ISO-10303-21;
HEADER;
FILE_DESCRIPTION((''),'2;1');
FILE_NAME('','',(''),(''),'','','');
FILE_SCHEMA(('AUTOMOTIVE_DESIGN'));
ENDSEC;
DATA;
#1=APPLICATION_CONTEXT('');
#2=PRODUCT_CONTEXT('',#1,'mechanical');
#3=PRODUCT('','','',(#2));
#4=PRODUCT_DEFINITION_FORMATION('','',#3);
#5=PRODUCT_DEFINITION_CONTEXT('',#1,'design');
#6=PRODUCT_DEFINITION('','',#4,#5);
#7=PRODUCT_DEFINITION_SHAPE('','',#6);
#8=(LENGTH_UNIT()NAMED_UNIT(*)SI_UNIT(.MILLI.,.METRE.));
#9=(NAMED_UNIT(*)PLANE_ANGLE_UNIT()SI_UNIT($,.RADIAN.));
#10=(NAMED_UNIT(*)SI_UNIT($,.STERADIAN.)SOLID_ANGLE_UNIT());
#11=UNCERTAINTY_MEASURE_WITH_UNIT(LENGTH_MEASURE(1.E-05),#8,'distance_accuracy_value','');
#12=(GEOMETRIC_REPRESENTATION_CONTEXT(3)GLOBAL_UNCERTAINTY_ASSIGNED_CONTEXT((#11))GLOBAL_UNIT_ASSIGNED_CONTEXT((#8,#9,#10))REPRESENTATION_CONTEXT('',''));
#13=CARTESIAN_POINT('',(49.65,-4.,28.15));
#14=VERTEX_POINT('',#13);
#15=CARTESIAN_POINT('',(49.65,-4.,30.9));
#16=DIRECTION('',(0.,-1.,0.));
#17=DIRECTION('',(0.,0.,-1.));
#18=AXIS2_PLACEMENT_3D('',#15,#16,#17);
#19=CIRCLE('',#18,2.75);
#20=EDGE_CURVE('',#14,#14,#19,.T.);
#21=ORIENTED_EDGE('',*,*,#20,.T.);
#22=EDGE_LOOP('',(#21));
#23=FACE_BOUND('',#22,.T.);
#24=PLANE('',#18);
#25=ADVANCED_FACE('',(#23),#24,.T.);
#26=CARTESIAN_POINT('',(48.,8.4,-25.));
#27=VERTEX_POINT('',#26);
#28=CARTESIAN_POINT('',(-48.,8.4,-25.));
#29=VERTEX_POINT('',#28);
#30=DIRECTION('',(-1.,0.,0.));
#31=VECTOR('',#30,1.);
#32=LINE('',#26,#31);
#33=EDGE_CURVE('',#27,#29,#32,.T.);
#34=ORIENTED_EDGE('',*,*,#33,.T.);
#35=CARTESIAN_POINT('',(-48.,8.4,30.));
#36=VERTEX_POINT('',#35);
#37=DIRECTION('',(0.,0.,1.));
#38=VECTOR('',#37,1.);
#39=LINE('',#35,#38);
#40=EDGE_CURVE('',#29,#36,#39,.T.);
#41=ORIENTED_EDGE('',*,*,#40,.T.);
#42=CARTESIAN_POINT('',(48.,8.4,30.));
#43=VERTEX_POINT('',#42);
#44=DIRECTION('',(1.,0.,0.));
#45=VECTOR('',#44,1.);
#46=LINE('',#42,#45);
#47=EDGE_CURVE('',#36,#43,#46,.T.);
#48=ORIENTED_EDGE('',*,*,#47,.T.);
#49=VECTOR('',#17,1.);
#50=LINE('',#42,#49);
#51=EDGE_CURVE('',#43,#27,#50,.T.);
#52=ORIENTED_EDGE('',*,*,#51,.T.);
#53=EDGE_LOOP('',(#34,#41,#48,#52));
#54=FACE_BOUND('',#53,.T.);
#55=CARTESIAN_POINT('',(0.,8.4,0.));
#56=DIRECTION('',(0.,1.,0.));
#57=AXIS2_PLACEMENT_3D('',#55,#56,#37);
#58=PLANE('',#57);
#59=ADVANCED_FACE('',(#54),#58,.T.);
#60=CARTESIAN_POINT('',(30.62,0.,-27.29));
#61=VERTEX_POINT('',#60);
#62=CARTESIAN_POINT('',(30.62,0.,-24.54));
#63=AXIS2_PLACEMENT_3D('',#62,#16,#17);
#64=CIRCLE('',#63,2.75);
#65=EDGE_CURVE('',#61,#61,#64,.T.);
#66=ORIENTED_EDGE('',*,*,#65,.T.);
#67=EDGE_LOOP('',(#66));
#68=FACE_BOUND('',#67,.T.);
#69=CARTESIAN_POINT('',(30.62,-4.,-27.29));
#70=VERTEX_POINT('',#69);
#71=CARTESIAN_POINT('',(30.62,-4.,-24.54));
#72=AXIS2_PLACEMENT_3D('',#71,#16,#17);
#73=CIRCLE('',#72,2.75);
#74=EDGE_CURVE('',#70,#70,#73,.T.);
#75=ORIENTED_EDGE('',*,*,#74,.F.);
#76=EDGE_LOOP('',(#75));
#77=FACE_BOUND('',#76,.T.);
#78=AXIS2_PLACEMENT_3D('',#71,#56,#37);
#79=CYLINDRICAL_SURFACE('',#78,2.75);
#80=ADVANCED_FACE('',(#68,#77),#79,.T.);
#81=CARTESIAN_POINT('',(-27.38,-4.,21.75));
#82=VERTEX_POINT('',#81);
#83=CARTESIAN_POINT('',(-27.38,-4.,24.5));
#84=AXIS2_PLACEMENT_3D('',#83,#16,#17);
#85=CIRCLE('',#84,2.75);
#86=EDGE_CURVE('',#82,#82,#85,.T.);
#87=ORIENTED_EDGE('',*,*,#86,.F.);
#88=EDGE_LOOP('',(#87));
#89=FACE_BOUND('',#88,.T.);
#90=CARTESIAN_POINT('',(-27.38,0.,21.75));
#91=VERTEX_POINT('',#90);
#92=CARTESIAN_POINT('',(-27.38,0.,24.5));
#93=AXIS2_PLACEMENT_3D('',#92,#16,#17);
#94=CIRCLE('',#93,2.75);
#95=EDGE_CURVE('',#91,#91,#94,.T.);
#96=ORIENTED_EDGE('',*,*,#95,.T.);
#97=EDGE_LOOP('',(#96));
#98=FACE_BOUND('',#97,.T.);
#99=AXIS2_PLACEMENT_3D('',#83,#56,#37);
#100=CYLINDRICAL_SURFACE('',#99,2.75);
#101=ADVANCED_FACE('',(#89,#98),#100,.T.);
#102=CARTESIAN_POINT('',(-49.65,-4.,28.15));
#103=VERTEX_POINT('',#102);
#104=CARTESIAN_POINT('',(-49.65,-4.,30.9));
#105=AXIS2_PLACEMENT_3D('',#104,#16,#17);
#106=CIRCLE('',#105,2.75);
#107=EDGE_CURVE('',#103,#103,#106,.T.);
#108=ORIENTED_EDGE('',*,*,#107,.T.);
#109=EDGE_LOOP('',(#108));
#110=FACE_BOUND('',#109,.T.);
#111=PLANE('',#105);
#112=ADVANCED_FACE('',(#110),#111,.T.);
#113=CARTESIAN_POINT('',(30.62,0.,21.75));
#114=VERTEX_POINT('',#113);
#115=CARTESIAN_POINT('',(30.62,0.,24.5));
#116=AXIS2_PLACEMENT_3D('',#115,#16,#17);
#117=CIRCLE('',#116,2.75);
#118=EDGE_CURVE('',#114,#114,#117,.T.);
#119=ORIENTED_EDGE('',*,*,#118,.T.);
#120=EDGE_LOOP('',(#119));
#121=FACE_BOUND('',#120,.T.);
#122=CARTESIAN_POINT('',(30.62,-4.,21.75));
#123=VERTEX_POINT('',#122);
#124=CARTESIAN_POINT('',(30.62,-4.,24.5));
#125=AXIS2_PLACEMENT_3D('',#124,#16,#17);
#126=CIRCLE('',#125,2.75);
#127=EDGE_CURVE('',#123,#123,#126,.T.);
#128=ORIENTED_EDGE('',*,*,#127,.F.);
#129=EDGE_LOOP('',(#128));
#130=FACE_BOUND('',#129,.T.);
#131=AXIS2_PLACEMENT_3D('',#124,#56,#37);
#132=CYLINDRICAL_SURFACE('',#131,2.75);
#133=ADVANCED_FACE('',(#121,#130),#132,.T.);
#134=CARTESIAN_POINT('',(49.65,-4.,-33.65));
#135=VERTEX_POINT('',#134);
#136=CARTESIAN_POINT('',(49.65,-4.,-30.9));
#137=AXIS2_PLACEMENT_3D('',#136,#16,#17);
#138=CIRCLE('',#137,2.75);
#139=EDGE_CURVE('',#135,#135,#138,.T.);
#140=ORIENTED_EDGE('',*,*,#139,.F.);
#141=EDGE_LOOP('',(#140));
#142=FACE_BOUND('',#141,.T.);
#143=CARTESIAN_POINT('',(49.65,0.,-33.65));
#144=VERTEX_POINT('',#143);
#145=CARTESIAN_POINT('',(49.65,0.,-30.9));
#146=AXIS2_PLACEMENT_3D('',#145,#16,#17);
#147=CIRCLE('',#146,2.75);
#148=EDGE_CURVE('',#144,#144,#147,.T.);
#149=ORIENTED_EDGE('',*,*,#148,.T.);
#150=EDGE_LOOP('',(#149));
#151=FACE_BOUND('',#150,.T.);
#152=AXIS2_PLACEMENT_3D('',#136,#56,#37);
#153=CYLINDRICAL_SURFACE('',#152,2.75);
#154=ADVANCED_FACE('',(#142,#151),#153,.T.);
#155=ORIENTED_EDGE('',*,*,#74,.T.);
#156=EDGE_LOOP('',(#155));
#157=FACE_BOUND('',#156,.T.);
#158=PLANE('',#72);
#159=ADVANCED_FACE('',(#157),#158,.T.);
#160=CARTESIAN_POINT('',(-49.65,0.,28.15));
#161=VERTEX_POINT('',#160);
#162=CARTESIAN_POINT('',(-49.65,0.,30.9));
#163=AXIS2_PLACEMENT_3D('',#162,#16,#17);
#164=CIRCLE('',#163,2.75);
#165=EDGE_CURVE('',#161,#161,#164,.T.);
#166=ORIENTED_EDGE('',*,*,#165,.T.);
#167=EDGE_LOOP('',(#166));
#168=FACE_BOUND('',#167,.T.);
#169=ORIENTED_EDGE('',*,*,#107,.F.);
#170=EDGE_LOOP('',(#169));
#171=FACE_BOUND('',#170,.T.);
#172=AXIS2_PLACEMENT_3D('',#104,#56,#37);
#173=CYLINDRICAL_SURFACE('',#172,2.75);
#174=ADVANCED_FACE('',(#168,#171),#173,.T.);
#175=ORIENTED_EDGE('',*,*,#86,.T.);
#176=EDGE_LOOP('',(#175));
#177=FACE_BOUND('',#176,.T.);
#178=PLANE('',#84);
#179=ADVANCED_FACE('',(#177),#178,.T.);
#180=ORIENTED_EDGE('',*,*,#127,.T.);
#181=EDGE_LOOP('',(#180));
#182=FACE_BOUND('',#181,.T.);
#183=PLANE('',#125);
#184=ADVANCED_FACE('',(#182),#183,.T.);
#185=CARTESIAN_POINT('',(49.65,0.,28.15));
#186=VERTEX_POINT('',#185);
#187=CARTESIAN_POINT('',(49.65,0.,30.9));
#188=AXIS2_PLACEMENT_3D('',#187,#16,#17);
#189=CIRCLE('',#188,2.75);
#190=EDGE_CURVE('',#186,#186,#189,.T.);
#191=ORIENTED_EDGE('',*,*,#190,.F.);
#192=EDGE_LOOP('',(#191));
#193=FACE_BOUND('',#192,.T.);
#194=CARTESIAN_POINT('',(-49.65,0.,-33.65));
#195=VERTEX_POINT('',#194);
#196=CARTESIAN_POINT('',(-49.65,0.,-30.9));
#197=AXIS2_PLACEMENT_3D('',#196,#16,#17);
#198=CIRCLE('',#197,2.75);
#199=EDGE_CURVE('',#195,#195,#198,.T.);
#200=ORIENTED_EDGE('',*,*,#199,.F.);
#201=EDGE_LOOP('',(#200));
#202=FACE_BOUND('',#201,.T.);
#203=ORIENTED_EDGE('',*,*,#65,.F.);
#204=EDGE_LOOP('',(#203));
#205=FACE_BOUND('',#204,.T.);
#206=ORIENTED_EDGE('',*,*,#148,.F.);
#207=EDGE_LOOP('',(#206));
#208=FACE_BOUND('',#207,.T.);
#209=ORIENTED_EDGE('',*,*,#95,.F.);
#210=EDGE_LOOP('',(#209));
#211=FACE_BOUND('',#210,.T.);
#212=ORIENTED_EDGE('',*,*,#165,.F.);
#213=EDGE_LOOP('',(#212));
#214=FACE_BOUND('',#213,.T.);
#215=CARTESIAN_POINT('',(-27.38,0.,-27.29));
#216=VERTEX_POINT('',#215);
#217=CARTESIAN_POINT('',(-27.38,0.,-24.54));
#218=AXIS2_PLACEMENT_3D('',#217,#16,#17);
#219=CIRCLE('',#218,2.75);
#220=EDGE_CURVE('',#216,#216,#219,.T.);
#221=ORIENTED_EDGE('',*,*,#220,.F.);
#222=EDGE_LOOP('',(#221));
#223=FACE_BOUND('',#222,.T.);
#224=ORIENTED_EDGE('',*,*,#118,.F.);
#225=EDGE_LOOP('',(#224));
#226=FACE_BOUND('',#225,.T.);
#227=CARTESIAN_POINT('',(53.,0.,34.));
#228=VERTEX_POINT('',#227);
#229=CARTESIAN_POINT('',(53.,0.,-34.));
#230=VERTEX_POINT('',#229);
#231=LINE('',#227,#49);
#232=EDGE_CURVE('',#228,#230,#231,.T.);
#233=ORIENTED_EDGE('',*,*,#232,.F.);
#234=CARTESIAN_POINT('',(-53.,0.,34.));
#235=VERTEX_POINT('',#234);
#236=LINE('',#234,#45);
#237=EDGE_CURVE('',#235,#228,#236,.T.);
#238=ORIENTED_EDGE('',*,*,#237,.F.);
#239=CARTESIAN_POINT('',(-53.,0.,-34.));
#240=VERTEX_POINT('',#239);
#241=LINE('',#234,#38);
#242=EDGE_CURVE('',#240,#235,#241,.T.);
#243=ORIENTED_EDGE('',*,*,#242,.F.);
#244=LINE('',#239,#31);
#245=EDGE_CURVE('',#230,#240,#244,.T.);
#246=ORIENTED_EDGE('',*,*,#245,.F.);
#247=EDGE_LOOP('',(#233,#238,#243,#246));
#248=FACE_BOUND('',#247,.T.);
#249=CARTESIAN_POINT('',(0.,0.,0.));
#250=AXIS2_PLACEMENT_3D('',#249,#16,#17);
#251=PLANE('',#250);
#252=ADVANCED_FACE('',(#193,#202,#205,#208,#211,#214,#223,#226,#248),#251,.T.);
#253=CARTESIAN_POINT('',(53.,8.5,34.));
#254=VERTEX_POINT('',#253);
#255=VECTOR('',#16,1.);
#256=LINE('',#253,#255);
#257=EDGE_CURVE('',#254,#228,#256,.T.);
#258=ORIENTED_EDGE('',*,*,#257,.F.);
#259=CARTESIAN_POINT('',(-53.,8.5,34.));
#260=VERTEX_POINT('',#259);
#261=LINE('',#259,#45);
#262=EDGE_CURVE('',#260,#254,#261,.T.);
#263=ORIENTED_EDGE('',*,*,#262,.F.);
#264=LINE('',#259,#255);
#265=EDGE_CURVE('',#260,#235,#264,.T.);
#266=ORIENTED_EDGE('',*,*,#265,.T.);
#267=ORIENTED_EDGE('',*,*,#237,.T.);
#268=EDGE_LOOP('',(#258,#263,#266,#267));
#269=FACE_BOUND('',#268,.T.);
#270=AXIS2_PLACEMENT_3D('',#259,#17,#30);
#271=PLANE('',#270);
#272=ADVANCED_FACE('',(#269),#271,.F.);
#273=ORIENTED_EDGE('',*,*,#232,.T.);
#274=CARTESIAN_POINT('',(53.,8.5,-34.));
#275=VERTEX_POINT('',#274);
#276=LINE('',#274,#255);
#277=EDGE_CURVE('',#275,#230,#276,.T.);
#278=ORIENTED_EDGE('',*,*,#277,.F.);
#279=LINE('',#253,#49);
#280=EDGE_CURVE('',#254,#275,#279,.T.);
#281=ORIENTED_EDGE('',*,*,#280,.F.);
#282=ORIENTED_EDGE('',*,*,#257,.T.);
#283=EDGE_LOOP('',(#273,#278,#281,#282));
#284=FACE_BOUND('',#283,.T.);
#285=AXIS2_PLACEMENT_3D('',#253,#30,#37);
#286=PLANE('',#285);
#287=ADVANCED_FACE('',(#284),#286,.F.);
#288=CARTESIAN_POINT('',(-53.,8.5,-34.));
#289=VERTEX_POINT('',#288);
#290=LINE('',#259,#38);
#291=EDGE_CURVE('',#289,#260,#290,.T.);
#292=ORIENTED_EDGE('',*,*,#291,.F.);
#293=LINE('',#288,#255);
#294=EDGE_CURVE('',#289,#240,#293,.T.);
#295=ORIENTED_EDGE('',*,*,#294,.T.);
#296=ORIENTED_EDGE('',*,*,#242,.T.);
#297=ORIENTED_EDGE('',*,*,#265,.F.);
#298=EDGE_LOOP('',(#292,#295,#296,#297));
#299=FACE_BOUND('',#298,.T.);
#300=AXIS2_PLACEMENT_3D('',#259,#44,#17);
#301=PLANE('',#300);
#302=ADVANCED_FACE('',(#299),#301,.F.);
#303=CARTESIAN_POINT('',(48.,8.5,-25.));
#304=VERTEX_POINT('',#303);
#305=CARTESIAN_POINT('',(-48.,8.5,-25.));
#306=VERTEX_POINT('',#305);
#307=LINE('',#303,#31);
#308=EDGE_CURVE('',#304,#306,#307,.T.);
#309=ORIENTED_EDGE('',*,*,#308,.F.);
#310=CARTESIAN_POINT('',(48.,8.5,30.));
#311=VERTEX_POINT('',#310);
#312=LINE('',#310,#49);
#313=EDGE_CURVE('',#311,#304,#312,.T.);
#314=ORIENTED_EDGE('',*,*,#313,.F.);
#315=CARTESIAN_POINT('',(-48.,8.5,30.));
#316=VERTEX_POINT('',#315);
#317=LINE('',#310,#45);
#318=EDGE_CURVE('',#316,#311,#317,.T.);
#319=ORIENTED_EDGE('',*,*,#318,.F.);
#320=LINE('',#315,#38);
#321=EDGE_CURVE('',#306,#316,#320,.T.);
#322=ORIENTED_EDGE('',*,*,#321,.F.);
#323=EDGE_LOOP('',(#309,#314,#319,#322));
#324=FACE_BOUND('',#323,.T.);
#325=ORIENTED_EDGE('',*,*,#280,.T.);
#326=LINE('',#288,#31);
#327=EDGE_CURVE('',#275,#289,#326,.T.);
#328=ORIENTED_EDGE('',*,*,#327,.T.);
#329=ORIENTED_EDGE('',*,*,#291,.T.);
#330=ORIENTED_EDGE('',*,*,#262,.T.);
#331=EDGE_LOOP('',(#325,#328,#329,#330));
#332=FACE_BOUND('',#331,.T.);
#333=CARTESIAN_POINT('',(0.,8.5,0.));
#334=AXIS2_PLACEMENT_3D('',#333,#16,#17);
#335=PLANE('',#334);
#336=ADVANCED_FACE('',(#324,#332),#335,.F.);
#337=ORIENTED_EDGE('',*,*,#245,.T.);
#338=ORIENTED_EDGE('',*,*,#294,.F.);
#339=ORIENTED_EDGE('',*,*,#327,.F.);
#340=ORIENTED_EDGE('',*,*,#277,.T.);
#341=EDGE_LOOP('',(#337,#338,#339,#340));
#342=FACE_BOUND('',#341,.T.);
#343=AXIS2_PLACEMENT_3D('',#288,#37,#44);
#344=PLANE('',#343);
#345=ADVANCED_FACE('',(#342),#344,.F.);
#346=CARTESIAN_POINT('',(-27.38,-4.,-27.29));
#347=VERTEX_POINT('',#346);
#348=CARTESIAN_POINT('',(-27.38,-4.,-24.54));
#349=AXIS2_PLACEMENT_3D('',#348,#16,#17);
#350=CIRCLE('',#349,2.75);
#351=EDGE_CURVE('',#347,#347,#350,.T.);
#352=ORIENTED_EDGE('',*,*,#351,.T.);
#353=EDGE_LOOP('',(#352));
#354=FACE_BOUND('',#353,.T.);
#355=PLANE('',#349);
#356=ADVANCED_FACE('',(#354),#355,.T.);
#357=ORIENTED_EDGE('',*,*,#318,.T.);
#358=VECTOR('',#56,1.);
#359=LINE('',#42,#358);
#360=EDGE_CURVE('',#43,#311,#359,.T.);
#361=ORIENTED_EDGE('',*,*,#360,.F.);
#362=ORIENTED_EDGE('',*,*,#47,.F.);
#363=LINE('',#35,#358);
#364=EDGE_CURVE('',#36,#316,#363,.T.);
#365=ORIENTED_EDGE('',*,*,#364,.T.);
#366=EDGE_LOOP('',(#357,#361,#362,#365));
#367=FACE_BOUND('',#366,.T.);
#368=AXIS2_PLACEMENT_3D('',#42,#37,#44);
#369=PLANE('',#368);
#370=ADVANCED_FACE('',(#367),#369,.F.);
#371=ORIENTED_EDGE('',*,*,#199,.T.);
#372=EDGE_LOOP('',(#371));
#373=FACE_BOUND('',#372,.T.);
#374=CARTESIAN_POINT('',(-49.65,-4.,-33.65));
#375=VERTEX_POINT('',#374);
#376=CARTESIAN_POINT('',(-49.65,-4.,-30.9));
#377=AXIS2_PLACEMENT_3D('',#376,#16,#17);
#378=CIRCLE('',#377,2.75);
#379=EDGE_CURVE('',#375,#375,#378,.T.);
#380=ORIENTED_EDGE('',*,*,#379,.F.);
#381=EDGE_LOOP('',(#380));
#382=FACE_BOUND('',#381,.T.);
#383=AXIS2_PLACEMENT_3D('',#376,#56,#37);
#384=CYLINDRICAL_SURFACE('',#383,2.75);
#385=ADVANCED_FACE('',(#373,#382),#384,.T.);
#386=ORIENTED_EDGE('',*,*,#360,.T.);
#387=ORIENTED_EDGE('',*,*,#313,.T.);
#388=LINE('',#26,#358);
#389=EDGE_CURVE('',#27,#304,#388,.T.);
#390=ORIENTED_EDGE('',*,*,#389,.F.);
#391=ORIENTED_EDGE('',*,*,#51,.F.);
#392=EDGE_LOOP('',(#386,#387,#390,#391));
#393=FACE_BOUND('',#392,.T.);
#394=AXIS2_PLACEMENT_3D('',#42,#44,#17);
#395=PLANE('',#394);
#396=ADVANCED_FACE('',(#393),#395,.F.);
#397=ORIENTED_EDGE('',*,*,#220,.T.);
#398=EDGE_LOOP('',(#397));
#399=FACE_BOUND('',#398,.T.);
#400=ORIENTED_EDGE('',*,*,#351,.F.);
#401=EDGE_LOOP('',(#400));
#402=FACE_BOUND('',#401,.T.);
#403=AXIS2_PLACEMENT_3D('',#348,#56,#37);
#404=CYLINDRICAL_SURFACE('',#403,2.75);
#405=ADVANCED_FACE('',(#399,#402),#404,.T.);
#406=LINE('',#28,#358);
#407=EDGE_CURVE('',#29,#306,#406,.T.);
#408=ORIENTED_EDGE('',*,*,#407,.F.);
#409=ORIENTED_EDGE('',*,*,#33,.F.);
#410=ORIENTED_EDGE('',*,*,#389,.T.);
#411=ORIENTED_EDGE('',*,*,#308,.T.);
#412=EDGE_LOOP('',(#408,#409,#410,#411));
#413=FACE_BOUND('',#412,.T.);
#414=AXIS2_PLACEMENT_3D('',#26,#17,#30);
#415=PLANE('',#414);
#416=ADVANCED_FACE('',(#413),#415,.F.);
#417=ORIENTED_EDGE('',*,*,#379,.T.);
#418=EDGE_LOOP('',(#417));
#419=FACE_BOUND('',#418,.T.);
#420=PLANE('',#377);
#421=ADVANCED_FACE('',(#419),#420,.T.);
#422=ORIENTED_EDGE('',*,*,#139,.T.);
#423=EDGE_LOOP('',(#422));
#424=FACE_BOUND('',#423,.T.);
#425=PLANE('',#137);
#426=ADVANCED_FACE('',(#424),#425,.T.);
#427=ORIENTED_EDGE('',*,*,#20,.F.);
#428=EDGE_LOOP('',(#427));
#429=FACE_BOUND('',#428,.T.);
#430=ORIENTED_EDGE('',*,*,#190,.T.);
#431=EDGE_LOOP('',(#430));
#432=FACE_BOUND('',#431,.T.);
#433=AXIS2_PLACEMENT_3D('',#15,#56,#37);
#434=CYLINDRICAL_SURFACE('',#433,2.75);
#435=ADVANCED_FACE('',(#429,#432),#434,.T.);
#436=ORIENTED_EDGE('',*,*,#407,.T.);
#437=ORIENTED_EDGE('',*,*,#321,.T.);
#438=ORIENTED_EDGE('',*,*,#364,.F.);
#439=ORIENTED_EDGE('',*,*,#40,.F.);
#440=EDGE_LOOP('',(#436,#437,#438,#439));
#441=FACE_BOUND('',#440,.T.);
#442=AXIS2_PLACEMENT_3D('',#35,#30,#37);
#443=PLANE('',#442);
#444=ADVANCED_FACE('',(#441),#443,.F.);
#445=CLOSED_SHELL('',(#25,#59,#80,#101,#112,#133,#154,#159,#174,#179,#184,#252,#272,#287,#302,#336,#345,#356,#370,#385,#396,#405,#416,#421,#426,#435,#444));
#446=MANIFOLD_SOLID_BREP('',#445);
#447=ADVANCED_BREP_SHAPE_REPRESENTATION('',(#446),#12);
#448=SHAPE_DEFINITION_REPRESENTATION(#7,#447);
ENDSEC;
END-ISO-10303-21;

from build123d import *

# Parameters (mm, degrees)
SKETCH1_W           = 106
SKETCH1_H           = 68
BOSS_EXTRUDE1_DEPTH = 8.5
SKETCH2_R           = 2.75
BOSS_EXTRUDE2_DEPTH = 4
SKETCH4_W           = 96
SKETCH4_H           = 55
CUT_EXTRUDE1_DEPTH  = 0.1


with BuildPart() as part:
    # Sketch1 → Boss-Extrude1 (new body)
    with BuildSketch(Plane(origin=(0, 0, 0), x_dir=(1, 0, 0), z_dir=(0, 1, 0))):
        Rectangle(SKETCH1_W, SKETCH1_H)
    extrude(amount=BOSS_EXTRUDE1_DEPTH)

    # Sketch2 → Boss-Extrude2 (add)
    with BuildSketch(Plane(origin=(0, 0, 0), x_dir=(-1, 0, 0), z_dir=(0, -1, 0))):
        with Locations(Location((49.65, -30.9, 0), (0, 0, 90))):
            Circle(SKETCH2_R)
        with Locations(Location((-49.65, -30.9, 0), (0, 0, 90))):
            Circle(SKETCH2_R)
        with Locations(Location((49.65, 30.9, 0), (0, 0, 90))):
            Circle(SKETCH2_R)
        with Locations(Location((-49.65, 30.9, 0), (0, 0, 90))):
            Circle(SKETCH2_R)
        with Locations(Location((27.38, -24.5, 0), (0, 0, 90))):
            Circle(SKETCH2_R)
        with Locations(Location((-30.62, -24.5, 0), (0, 0, 90))):
            Circle(SKETCH2_R)
        with Locations(Location((27.38, 24.54, 0), (0, 0, 90))):
            Circle(SKETCH2_R)
        with Locations(Location((-30.62, 24.54, 0), (0, 0, 90))):
            Circle(SKETCH2_R)
    extrude(amount=BOSS_EXTRUDE2_DEPTH)

    # Sketch4 → Cut-Extrude1 (cut)
    with BuildSketch(Plane(origin=(0, 8.5, 0), x_dir=(1, 0, 0), z_dir=(0, 1, 0))):
        with Locations((0, -2.5)):
            Rectangle(SKETCH4_W, SKETCH4_H)
    extrude(amount=-CUT_EXTRUDE1_DEPTH, mode=Mode.SUBTRACT)


solid = part.part
